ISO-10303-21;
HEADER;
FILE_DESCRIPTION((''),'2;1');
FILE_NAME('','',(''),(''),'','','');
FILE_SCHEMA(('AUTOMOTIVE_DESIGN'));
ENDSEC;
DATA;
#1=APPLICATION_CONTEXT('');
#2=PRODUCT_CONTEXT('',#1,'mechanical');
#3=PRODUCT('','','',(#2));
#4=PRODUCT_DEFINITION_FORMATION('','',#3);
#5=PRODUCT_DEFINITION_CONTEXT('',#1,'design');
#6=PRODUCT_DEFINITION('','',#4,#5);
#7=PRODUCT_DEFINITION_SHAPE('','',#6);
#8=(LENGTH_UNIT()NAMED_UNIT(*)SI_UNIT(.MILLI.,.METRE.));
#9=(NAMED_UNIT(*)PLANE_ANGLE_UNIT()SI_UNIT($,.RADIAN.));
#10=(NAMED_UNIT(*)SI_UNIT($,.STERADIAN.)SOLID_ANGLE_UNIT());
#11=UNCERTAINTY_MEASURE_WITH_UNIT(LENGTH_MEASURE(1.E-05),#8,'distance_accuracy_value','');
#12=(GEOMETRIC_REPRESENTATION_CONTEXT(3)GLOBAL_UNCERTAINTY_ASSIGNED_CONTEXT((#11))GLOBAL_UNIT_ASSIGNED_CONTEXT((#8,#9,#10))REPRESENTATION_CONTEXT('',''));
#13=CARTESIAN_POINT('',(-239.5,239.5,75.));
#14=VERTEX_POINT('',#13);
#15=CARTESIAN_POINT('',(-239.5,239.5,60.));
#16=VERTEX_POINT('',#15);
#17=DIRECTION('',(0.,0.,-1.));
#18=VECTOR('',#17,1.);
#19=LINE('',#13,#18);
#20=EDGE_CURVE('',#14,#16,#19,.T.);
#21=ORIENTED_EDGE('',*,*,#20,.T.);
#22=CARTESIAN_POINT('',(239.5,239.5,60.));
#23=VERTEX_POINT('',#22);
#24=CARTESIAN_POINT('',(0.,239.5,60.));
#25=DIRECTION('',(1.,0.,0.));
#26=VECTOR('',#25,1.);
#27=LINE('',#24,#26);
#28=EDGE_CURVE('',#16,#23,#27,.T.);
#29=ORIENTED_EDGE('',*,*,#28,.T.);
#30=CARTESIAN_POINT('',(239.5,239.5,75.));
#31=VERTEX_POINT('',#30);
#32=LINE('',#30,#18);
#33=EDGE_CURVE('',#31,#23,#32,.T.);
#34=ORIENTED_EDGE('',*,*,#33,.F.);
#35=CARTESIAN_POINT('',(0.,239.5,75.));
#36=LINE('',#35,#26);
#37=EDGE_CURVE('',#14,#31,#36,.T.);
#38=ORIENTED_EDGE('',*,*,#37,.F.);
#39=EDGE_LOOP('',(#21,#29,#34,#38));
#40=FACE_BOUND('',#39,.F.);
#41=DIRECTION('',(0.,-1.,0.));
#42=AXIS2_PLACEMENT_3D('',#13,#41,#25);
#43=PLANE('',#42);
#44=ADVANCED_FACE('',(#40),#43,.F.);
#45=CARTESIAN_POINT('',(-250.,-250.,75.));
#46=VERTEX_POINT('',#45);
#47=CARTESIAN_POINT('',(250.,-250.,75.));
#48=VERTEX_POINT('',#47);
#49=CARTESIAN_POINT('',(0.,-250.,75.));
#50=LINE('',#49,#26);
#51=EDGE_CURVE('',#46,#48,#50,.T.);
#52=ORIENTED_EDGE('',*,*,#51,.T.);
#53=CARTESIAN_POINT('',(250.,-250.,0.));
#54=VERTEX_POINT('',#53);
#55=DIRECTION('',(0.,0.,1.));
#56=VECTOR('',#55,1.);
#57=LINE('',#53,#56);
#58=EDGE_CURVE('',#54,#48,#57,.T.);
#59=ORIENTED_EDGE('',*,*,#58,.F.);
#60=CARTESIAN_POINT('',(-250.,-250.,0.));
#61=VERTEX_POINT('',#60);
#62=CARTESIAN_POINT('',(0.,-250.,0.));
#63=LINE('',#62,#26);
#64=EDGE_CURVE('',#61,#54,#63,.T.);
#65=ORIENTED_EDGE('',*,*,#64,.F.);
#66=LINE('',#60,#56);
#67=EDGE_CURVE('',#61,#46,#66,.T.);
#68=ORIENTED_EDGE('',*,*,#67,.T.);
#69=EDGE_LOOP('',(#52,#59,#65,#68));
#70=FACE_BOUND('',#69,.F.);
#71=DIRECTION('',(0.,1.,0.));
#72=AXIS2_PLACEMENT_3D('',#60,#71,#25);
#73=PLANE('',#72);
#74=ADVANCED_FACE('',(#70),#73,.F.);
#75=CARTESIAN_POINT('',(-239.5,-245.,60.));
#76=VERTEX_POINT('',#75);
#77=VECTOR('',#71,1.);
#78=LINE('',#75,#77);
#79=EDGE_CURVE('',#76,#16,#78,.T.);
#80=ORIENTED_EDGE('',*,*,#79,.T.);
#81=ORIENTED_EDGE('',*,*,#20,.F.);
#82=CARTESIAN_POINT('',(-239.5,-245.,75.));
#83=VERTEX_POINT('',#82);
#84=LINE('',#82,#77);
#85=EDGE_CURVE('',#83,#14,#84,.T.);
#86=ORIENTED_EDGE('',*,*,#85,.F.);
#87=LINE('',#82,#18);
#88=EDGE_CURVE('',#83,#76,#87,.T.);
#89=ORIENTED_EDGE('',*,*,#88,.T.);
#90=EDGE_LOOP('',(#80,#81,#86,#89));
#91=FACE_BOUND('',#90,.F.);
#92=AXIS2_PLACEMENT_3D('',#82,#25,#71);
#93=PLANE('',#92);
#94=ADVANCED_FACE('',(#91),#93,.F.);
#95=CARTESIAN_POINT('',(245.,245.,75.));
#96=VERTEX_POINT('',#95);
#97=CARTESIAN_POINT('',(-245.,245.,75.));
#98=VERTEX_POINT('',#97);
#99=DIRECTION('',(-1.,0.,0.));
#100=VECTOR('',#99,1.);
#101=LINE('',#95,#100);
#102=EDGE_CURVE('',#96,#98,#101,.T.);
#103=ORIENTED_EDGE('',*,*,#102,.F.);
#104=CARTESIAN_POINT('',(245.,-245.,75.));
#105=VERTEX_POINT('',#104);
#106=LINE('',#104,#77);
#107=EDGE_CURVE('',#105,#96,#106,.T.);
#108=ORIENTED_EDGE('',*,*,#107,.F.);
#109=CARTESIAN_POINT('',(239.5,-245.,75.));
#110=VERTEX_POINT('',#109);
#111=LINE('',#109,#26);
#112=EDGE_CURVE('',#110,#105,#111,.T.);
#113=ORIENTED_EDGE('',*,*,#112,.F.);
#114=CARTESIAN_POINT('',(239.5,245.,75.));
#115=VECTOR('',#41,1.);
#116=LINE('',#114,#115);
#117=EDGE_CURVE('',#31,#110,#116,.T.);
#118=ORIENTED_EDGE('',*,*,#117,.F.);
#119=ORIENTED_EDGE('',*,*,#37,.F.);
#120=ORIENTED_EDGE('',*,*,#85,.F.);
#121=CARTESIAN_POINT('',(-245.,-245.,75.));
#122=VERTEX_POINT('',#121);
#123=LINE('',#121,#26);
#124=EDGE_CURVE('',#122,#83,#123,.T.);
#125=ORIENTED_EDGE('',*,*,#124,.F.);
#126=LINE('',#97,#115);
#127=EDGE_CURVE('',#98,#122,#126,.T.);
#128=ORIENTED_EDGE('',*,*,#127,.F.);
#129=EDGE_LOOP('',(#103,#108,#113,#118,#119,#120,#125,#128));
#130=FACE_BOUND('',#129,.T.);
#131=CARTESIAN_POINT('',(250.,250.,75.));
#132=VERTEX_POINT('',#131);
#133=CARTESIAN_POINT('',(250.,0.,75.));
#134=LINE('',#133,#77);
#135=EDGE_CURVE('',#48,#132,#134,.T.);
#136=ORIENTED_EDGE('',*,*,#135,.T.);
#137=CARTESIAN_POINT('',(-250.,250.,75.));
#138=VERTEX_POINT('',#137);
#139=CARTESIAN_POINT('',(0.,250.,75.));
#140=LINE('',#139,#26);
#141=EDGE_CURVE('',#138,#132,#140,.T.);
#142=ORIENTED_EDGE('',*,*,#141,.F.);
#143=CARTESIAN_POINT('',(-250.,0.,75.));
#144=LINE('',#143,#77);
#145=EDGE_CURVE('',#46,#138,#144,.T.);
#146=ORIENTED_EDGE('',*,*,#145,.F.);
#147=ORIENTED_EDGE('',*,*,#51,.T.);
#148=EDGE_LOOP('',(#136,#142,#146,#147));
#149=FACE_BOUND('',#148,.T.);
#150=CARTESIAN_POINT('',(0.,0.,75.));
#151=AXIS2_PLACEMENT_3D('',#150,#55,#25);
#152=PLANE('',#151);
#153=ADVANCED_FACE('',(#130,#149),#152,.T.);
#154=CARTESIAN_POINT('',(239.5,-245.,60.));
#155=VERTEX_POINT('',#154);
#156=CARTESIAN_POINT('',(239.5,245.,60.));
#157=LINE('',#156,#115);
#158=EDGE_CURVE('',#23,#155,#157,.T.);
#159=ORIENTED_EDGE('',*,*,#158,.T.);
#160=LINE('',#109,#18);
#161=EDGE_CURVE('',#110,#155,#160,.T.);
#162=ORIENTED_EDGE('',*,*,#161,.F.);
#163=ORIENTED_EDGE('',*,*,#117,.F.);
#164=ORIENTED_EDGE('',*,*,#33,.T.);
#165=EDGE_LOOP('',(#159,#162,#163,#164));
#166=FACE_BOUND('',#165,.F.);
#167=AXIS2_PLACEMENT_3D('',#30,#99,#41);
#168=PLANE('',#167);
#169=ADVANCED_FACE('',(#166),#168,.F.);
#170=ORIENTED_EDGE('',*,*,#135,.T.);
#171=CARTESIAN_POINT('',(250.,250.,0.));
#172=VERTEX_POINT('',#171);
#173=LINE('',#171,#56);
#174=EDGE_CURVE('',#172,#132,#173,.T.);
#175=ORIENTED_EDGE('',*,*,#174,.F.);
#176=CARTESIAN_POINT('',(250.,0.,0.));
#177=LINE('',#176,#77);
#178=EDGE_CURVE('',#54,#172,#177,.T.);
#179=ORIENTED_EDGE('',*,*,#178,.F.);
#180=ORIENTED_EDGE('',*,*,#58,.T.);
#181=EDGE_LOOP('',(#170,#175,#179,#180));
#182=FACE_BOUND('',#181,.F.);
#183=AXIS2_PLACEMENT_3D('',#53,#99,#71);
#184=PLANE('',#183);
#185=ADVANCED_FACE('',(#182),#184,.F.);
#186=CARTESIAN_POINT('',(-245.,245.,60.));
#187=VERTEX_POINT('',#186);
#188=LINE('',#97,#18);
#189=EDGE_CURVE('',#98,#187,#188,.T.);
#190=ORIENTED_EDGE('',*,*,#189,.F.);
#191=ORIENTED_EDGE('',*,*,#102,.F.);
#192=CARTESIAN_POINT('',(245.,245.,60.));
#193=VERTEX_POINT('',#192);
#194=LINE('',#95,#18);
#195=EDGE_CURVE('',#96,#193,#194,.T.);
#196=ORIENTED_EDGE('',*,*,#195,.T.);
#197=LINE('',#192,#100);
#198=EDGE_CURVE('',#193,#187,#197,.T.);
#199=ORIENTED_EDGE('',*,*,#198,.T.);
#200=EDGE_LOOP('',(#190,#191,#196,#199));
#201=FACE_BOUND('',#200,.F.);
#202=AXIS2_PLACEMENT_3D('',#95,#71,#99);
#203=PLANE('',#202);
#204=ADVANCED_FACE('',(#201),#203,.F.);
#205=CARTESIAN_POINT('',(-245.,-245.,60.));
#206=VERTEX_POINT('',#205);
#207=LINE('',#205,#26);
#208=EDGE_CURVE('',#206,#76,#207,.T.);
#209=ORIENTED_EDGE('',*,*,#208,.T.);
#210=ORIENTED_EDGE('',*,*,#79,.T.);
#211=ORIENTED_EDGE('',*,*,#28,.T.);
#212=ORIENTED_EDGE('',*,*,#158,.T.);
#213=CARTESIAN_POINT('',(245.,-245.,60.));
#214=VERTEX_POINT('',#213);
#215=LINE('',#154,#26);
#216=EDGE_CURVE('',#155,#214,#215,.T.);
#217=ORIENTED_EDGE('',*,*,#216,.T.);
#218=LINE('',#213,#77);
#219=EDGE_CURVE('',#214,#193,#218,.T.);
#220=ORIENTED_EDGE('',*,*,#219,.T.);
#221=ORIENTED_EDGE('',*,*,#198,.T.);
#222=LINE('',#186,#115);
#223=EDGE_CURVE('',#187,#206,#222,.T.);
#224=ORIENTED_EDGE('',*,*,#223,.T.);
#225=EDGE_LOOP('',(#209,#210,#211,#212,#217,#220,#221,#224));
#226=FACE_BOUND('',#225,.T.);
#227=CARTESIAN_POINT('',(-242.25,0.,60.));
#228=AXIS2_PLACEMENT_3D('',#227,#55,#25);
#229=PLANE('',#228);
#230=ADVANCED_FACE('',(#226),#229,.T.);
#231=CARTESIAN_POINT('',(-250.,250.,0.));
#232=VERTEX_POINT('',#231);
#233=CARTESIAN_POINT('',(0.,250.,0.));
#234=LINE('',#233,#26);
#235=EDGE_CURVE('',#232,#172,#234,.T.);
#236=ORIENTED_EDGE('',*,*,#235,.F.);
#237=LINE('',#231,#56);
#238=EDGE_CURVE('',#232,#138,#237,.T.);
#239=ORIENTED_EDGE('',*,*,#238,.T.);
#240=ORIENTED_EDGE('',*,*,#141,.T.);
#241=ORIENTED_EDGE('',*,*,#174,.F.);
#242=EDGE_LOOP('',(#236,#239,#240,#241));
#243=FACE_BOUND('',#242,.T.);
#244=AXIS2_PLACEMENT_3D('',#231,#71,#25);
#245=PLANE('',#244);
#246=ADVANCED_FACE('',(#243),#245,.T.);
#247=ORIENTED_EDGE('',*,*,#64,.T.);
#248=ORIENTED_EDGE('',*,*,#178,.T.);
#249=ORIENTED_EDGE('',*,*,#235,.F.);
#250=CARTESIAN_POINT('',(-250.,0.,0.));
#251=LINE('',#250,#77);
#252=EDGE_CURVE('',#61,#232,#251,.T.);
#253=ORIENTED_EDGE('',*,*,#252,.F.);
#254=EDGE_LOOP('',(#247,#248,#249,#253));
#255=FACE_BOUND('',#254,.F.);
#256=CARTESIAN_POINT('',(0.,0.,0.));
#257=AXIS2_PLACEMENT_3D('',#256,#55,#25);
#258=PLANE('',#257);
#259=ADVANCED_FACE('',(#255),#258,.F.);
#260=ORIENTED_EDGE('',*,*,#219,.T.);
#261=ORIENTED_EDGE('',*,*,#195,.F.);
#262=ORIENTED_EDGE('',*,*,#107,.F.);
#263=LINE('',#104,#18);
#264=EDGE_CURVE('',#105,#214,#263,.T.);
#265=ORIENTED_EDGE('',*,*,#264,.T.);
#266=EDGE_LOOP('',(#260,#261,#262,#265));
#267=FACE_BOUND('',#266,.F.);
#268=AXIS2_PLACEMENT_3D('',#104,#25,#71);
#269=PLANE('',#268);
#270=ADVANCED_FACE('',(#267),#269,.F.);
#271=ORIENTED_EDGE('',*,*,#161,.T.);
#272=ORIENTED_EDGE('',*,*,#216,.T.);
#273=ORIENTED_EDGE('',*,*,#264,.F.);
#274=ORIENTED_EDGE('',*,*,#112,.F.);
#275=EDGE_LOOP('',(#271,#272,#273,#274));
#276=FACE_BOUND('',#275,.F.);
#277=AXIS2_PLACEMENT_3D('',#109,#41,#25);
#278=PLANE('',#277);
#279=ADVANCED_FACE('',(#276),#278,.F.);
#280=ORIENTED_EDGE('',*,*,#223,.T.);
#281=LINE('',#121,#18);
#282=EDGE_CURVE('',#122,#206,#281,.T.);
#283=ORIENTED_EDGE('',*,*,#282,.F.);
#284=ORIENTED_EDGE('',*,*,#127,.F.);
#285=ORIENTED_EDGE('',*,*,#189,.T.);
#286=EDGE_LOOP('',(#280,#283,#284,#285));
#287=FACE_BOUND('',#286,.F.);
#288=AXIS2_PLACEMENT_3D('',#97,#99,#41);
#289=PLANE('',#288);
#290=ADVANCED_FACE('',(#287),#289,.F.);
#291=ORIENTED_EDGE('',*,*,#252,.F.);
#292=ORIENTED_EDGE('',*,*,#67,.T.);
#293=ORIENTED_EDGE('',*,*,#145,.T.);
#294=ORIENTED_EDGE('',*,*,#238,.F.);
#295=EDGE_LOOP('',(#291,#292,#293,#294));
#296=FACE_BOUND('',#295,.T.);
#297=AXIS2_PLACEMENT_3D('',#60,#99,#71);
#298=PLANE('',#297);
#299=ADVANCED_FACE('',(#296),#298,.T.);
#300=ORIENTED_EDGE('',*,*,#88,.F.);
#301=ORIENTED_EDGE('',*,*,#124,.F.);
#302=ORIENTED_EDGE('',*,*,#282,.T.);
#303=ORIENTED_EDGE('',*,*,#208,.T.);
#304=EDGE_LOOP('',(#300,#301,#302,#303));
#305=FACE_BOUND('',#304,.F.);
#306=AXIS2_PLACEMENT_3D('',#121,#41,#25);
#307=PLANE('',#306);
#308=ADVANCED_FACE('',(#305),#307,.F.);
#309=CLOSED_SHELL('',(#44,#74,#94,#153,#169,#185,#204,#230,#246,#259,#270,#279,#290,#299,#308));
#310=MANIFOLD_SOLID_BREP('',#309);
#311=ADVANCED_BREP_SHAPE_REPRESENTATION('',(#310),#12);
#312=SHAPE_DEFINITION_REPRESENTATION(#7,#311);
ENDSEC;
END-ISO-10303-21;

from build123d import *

# Parameters (mm, degrees)
F0_W     = 500
F0_H     = 500
F1_DEPTH = 75
F2_W     = 479
F2_H     = 5.5
F3_DEPTH = 15


with BuildPart() as f1:
    # F0 (on Top) → F1 (new body)
    with BuildSketch(Plane.XY):
        Rectangle(F0_W, F0_H)
    extrude(amount=F1_DEPTH)

    # F2 (on face) → F3 (cut)
    with BuildSketch(Plane.XY.offset(75)):
        Polygon((-239.5, 245), (-245, 245), (-245, -245), (-239.5, -245), (-239.5, 239.5), align=None)
        Polygon((245, 245), (239.5, 245), (239.5, 239.5), (239.5, -245), (245, -245), align=None)
        with Locations((0, 242.25)):
            Rectangle(F2_W, F2_H)
    extrude(amount=-F3_DEPTH, mode=Mode.SUBTRACT)


solid = f1.part
